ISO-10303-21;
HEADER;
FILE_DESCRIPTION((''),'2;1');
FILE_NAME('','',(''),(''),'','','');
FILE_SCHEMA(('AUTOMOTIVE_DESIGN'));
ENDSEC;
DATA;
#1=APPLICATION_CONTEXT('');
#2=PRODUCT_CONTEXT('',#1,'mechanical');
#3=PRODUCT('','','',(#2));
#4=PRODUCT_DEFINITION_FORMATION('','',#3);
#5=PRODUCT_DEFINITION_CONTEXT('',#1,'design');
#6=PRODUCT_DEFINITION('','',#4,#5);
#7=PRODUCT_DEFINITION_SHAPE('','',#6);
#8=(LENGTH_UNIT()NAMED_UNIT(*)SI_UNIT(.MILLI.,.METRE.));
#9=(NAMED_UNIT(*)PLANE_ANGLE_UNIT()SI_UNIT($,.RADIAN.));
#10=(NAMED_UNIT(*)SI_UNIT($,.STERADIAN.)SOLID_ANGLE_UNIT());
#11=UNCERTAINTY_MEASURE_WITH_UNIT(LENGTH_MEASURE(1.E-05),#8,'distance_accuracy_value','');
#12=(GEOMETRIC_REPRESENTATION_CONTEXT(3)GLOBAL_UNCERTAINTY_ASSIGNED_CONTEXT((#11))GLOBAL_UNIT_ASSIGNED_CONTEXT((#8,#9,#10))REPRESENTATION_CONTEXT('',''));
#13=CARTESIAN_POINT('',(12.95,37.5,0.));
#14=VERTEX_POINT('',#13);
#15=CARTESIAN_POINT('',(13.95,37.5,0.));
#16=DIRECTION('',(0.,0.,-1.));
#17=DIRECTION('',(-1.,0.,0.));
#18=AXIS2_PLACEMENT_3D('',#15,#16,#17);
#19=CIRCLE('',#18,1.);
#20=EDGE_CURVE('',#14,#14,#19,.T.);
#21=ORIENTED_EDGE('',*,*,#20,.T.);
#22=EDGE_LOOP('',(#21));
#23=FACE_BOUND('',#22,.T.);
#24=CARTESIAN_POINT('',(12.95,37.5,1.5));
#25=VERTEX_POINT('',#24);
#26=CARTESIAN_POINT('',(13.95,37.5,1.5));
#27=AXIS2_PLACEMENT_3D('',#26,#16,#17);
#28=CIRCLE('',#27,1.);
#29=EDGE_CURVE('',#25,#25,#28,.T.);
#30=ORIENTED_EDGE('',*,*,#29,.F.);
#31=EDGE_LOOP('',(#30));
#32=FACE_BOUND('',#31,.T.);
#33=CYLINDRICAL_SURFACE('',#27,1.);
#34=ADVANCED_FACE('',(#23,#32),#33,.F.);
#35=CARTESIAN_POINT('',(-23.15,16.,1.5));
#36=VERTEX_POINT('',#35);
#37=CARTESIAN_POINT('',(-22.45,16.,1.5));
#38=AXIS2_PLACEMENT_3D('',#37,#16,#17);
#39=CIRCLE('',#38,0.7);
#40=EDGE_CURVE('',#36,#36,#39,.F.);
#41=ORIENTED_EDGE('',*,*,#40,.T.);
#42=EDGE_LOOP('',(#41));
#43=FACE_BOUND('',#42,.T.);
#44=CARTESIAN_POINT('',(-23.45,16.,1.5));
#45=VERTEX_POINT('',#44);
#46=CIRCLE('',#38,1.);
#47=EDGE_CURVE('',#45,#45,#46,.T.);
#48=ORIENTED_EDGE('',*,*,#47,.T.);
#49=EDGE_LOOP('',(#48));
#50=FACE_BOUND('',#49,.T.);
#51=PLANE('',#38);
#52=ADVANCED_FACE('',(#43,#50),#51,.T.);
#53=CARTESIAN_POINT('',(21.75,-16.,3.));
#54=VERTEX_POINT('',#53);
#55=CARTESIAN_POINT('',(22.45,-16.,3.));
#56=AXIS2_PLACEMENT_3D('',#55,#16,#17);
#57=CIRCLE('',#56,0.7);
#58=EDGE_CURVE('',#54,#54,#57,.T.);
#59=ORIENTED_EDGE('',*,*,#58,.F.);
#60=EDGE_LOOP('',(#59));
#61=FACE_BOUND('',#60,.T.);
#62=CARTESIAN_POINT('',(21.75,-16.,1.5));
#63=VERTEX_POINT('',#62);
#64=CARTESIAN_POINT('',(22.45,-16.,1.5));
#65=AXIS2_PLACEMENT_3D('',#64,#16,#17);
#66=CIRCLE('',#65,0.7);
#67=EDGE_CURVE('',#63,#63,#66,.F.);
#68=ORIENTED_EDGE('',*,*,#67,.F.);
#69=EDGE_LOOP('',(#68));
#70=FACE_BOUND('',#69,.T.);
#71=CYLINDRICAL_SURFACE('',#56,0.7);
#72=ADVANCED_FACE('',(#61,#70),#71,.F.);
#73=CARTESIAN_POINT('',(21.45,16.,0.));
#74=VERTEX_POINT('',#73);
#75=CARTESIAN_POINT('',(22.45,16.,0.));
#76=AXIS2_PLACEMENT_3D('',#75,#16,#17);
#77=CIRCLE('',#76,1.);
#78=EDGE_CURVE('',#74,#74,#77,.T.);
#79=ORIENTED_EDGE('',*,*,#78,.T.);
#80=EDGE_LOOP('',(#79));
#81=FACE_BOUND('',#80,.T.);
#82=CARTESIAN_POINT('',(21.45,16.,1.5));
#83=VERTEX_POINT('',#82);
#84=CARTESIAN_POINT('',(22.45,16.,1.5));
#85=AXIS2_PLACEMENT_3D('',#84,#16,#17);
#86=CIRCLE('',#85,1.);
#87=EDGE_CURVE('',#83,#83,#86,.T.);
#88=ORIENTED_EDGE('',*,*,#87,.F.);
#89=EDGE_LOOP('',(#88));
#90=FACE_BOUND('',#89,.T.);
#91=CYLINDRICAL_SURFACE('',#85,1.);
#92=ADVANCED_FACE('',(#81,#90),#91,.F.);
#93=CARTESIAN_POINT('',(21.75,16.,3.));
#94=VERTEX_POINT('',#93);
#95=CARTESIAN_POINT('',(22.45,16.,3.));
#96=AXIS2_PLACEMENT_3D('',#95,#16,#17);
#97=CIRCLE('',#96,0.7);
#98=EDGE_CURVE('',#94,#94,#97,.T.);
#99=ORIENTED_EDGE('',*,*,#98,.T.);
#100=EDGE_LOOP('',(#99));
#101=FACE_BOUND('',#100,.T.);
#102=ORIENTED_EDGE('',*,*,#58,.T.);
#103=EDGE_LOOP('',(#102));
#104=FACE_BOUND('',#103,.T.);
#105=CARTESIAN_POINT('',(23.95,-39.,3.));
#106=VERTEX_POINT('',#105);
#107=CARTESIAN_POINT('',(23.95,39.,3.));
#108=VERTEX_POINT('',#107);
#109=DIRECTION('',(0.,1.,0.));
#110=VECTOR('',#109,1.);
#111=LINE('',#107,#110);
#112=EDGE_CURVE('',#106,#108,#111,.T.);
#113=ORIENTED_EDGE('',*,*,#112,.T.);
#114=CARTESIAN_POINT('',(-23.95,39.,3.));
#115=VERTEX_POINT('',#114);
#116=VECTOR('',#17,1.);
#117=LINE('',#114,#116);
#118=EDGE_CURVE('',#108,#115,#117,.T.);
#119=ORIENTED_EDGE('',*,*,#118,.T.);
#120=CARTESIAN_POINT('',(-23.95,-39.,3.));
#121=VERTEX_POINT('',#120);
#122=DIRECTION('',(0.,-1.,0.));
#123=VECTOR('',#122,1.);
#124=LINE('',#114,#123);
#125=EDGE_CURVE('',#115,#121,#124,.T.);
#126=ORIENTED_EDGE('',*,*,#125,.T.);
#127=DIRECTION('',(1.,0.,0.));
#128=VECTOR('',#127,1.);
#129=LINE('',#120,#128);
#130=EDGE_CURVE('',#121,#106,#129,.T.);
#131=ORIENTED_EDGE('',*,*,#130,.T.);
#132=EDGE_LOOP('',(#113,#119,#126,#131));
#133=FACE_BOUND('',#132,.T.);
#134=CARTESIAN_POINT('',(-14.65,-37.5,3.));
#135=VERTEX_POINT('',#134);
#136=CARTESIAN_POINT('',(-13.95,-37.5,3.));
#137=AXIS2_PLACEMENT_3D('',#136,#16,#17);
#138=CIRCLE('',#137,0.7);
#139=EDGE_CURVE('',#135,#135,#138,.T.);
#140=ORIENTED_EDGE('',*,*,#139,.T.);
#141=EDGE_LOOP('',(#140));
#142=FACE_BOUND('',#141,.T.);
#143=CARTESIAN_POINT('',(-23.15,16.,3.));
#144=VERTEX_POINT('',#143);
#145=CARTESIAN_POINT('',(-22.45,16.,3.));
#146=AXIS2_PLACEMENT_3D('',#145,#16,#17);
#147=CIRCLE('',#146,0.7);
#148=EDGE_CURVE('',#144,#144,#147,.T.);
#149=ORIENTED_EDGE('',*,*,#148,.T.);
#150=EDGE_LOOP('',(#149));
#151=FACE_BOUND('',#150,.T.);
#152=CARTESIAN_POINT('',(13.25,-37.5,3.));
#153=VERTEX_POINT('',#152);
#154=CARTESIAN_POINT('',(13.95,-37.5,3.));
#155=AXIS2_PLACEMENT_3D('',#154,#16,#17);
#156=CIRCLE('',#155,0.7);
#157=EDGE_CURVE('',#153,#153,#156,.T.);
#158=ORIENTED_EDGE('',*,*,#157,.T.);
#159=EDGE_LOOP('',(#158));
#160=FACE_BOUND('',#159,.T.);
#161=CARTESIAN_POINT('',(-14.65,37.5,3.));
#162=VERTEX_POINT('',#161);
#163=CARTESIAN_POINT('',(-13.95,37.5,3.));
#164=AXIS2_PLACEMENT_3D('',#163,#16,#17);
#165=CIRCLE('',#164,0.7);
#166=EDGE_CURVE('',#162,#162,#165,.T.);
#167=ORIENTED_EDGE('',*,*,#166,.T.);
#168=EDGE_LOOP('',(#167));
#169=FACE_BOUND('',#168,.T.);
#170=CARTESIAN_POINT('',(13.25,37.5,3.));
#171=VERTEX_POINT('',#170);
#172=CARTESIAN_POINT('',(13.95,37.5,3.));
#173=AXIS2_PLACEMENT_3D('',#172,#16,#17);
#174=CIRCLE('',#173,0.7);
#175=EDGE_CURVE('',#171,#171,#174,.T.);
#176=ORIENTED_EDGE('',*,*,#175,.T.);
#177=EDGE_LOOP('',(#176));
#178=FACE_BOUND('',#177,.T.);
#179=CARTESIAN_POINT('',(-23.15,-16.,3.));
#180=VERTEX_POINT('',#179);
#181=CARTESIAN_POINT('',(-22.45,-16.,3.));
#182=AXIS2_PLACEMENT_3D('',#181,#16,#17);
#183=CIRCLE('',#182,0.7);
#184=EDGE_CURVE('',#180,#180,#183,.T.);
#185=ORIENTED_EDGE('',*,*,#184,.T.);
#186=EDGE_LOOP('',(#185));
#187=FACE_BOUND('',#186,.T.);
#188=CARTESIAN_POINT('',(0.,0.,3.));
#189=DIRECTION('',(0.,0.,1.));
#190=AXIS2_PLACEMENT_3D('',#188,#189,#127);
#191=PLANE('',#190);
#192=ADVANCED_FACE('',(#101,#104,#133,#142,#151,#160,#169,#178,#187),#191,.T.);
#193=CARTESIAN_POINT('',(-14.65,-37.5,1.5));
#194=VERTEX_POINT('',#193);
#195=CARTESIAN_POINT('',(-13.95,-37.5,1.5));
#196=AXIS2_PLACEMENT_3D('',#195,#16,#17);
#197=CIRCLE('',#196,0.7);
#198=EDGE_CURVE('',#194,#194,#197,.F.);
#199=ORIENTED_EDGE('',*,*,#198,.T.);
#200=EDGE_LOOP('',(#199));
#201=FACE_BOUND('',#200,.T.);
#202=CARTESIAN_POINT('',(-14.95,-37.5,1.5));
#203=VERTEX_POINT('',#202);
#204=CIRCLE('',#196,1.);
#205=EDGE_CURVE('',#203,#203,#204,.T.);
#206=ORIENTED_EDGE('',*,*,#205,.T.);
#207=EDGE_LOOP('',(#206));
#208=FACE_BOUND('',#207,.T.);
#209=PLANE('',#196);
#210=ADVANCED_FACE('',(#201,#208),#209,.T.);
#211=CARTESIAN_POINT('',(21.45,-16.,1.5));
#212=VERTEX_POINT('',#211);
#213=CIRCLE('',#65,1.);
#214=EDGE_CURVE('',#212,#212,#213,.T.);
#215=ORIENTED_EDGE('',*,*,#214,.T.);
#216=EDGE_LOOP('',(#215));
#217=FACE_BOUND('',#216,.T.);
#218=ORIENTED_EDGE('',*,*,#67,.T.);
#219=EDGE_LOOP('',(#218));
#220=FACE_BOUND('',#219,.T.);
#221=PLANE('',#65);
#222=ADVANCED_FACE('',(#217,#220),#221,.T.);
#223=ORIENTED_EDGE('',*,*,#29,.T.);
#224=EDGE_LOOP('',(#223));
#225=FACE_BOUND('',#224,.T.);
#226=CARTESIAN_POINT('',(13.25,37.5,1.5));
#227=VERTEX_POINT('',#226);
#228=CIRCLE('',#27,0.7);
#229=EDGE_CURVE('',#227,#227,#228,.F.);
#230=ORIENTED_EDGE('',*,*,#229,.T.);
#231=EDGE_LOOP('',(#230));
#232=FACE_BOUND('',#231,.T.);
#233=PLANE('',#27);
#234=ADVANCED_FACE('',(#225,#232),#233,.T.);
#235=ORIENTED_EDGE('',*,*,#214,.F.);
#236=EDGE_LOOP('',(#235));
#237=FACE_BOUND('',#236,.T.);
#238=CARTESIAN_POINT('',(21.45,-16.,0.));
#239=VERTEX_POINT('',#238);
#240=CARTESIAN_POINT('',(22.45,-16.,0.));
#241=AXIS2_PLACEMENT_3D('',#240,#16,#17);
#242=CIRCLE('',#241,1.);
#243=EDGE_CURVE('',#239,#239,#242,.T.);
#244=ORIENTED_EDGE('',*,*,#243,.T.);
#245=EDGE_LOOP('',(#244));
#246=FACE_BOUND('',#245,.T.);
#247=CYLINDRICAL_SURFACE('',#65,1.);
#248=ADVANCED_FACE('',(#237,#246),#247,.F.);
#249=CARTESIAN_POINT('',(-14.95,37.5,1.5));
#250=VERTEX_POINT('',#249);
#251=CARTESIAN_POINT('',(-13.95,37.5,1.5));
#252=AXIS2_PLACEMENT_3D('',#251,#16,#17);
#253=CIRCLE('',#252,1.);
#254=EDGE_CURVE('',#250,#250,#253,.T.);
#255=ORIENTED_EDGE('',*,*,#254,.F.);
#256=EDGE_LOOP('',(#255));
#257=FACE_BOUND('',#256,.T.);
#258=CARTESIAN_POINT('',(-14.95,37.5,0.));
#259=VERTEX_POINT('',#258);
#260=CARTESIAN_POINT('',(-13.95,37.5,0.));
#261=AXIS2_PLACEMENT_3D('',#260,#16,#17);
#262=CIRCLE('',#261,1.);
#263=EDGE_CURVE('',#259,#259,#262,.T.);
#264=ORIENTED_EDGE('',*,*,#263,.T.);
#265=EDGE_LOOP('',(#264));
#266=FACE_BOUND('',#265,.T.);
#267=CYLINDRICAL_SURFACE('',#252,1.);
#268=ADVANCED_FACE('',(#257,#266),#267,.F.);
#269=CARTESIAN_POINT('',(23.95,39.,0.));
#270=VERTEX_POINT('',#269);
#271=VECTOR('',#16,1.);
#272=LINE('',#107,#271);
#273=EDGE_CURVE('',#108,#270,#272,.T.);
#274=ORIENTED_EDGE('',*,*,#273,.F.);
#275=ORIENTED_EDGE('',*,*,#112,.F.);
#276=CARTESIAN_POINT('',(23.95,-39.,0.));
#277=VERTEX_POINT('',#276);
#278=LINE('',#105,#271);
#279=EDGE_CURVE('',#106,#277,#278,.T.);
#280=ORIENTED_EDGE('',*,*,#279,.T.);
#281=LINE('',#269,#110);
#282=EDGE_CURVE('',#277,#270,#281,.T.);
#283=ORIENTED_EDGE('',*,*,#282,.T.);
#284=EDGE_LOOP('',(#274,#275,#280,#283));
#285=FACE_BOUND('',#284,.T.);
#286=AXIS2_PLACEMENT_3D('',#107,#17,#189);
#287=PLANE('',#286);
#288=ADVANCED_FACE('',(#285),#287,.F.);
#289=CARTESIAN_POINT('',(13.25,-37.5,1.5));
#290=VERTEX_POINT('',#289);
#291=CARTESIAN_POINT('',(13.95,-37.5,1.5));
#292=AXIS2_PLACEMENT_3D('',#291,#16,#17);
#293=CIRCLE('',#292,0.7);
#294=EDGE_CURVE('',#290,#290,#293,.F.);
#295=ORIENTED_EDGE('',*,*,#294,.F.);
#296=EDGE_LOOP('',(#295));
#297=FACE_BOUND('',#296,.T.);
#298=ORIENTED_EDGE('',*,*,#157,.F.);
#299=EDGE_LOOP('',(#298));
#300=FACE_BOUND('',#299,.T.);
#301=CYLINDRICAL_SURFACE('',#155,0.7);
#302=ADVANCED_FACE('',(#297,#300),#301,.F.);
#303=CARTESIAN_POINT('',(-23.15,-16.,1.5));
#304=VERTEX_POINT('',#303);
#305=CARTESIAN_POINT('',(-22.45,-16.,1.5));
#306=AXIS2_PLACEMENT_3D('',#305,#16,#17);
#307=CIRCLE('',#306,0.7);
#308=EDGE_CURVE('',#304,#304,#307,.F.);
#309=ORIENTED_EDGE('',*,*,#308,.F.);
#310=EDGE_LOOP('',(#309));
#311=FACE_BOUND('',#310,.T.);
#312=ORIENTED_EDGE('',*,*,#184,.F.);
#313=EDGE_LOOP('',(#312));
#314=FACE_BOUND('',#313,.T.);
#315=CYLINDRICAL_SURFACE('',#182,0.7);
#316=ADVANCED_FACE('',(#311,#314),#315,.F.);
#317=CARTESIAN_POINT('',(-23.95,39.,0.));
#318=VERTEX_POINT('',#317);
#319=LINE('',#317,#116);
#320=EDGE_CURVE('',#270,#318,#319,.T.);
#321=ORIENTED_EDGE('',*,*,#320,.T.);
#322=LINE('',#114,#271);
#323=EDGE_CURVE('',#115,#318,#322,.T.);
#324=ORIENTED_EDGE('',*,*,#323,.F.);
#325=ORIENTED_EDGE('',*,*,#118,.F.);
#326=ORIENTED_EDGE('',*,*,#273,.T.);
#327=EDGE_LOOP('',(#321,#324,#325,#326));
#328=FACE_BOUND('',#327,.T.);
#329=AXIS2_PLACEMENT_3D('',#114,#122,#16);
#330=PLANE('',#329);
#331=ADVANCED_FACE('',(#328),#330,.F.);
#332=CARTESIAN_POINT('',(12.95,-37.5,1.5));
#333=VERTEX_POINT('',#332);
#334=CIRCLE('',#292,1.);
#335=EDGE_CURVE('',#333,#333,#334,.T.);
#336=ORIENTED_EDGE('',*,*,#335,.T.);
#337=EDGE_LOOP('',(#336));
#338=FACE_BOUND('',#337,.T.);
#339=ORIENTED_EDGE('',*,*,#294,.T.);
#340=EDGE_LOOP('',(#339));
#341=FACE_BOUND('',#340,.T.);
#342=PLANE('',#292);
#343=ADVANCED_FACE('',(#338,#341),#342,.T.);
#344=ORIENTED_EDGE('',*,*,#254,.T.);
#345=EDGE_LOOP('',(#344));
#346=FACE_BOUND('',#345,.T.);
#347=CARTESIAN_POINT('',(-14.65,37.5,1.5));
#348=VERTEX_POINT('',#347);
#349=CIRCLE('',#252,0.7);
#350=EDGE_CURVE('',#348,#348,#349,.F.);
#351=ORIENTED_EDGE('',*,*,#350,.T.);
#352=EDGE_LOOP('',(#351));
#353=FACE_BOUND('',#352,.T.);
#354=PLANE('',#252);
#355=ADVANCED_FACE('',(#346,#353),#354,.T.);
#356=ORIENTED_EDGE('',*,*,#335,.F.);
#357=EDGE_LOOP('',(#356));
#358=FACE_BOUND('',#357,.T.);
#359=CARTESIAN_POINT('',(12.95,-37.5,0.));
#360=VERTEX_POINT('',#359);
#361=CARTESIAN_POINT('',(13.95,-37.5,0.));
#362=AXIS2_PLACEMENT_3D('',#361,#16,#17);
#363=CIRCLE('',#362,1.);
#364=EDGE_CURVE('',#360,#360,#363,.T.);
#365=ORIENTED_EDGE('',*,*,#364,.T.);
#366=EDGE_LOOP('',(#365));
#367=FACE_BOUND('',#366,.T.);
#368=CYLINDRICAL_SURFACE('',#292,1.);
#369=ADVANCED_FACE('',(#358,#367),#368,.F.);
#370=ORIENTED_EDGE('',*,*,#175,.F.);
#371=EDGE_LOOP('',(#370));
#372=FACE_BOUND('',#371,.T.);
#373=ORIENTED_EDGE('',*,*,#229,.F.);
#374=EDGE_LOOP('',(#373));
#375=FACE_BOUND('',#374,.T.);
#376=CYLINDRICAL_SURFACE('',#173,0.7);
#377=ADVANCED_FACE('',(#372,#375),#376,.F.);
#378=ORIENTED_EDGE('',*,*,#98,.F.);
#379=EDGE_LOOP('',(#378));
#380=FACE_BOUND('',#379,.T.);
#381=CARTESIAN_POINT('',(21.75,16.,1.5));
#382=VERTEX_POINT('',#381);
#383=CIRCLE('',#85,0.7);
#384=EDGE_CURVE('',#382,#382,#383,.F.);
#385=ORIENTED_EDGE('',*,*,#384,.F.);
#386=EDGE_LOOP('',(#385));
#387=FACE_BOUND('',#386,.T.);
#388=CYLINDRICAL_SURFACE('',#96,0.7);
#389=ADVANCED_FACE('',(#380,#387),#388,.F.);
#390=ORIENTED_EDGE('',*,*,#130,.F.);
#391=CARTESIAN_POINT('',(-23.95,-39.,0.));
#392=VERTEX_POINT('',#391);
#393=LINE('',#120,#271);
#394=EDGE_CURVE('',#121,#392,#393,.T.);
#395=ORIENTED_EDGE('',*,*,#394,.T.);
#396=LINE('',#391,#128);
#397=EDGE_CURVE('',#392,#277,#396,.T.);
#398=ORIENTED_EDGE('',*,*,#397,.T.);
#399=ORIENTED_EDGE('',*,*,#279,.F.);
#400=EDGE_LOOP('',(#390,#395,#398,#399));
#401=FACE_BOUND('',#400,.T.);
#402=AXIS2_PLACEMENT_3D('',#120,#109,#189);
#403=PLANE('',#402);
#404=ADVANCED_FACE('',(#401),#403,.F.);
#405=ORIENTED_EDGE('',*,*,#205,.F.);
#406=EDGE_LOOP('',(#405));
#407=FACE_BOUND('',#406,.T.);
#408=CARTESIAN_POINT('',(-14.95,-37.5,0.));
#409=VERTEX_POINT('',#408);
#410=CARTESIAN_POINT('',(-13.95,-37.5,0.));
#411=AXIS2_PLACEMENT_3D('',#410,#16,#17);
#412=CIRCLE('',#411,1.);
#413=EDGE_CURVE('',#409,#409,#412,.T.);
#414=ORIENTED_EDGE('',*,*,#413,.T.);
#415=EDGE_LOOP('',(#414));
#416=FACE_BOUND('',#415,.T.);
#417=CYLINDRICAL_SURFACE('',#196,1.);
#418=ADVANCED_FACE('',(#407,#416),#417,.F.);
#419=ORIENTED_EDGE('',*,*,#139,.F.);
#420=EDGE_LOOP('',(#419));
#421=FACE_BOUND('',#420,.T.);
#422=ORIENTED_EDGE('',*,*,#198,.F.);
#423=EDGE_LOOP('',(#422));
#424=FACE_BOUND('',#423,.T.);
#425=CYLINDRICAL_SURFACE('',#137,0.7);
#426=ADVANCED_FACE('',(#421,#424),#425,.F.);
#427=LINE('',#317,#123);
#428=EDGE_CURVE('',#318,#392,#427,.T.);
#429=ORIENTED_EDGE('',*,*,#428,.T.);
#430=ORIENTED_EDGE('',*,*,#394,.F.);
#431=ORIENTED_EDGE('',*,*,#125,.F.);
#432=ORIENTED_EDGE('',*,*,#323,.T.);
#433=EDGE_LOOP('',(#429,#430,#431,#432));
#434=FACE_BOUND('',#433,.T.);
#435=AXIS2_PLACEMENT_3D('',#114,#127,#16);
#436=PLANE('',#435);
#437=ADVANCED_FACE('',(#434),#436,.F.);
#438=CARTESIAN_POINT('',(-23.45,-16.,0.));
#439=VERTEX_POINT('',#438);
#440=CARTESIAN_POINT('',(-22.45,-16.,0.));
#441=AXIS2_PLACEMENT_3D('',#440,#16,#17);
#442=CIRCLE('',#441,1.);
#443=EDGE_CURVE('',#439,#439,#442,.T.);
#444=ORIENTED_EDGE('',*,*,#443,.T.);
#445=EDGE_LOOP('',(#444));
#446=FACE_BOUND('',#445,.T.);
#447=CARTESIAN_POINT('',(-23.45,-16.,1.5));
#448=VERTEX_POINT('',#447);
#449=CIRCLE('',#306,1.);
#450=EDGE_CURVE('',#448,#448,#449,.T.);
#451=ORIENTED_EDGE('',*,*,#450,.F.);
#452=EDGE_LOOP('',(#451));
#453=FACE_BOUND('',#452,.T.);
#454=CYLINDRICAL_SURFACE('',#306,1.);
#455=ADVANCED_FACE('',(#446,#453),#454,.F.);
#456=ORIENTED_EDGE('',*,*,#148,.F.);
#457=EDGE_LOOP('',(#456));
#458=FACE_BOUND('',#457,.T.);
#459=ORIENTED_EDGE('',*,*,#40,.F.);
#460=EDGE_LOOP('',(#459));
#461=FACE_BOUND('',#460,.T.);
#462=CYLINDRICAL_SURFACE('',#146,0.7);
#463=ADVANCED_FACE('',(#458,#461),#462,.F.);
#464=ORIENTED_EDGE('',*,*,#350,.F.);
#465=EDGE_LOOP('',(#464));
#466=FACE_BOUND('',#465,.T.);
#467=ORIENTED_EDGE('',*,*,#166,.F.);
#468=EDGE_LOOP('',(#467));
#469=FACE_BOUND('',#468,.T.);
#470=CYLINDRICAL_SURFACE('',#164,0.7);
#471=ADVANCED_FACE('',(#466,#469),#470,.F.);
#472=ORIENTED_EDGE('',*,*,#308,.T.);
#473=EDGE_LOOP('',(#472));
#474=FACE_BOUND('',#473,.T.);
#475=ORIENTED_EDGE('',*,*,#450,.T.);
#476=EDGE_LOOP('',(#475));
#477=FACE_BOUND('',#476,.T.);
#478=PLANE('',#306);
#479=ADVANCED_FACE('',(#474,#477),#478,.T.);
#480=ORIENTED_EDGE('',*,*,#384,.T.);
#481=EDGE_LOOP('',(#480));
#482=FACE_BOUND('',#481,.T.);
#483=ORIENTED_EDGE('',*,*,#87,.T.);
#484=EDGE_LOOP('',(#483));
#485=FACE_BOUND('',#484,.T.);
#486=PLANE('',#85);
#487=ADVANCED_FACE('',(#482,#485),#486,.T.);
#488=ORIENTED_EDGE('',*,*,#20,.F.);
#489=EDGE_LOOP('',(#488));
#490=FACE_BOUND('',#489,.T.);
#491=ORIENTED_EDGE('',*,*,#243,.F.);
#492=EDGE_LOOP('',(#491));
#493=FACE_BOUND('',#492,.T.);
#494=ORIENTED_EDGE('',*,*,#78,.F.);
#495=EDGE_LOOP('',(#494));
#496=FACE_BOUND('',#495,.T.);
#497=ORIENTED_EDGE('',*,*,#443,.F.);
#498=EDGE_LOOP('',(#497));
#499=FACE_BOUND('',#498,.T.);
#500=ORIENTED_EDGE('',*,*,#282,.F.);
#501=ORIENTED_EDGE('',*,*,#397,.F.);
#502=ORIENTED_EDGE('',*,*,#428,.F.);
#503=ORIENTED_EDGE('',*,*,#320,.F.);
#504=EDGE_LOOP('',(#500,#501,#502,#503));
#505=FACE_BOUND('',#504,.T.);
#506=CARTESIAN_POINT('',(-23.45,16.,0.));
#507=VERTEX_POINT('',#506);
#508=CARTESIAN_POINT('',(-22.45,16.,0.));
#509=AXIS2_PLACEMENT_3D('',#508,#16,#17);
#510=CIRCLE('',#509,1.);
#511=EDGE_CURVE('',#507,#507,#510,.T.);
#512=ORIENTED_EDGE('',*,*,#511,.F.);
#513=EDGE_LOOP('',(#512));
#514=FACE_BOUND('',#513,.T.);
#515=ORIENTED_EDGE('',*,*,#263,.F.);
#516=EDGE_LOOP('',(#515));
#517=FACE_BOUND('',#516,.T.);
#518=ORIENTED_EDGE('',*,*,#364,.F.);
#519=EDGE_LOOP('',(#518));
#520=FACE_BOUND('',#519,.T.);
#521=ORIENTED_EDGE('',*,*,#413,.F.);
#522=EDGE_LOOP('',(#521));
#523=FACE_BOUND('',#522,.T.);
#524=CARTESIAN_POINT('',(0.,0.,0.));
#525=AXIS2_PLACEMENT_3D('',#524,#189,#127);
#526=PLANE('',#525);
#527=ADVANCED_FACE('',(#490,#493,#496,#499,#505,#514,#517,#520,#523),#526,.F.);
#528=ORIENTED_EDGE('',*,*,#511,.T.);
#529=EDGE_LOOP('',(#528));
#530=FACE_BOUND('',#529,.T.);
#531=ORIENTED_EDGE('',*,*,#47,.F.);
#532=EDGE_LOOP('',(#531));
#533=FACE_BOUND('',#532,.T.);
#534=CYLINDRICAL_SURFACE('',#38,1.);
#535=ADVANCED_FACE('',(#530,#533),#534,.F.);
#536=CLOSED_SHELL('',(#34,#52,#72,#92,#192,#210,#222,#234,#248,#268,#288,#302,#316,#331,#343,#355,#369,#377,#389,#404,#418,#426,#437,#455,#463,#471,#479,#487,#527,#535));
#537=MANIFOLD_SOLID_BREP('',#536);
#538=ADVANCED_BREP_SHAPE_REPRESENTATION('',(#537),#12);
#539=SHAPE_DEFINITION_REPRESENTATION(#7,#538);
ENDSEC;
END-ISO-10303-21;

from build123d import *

# Parameters (mm, degrees)
SKETCH_1_W          = 47.9
SKETCH_1_H          = 78
EXTRUDE_1_DEPTH     = 3
SKETCH_2_R          = 0.7
CUT_EXTRUDE_1_DEPTH = 46.865046604
SKETCH_2_3_R        = 1
CUT_EXTRUDE_2_DEPTH = 1.5


with BuildPart() as part:
    # 草图1 → 凸台-拉伸1 (new body)
    with BuildSketch(Plane.XY):
        Rectangle(SKETCH_1_W, SKETCH_1_H)
    extrude(amount=EXTRUDE_1_DEPTH)

    # 草图2 → 切除-拉伸1 (cut, through all)
    with BuildSketch(Plane(origin=(0, 0, 0), x_dir=(-1, 0, 0), z_dir=(0, 0, -1))):
        with Locations((-13.95, 37.5)):
            Circle(SKETCH_2_R)
        with Locations((13.95, 37.5)):
            Circle(SKETCH_2_R)
        with Locations((-13.95, -37.5)):
            Circle(SKETCH_2_R)
        with Locations((13.95, -37.5)):
            Circle(SKETCH_2_R)
        with Locations((-22.45, 16)):
            Circle(SKETCH_2_R)
        with Locations((-22.45, -16)):
            Circle(SKETCH_2_R)
        with Locations((22.45, 16)):
            Circle(SKETCH_2_R)
        with Locations((22.45, -16)):
            Circle(SKETCH_2_R)
    extrude(amount=-CUT_EXTRUDE_1_DEPTH, mode=Mode.SUBTRACT)

    # 草图2<3> → 切除-拉伸2 (cut)
    with BuildSketch(Plane(origin=(0, 0, 0), x_dir=(-1, 0, 0), z_dir=(0, 0, -1))):
        with Locations((-13.95, 37.5)):
            Circle(SKETCH_2_3_R)
        with Locations((13.95, 37.5)):
            Circle(SKETCH_2_3_R)
        with Locations((-13.95, -37.5)):
            Circle(SKETCH_2_3_R)
        with Locations((13.95, -37.5)):
            Circle(SKETCH_2_3_R)
        with Locations((-22.45, 16)):
            Circle(SKETCH_2_3_R)
        with Locations((22.45, 16)):
            Circle(SKETCH_2_3_R)
        with Locations((-22.45, -16)):
            Circle(SKETCH_2_3_R)
        with Locations((22.45, -16)):
            Circle(SKETCH_2_3_R)
    extrude(amount=-CUT_EXTRUDE_2_DEPTH, mode=Mode.SUBTRACT)


solid = part.part
